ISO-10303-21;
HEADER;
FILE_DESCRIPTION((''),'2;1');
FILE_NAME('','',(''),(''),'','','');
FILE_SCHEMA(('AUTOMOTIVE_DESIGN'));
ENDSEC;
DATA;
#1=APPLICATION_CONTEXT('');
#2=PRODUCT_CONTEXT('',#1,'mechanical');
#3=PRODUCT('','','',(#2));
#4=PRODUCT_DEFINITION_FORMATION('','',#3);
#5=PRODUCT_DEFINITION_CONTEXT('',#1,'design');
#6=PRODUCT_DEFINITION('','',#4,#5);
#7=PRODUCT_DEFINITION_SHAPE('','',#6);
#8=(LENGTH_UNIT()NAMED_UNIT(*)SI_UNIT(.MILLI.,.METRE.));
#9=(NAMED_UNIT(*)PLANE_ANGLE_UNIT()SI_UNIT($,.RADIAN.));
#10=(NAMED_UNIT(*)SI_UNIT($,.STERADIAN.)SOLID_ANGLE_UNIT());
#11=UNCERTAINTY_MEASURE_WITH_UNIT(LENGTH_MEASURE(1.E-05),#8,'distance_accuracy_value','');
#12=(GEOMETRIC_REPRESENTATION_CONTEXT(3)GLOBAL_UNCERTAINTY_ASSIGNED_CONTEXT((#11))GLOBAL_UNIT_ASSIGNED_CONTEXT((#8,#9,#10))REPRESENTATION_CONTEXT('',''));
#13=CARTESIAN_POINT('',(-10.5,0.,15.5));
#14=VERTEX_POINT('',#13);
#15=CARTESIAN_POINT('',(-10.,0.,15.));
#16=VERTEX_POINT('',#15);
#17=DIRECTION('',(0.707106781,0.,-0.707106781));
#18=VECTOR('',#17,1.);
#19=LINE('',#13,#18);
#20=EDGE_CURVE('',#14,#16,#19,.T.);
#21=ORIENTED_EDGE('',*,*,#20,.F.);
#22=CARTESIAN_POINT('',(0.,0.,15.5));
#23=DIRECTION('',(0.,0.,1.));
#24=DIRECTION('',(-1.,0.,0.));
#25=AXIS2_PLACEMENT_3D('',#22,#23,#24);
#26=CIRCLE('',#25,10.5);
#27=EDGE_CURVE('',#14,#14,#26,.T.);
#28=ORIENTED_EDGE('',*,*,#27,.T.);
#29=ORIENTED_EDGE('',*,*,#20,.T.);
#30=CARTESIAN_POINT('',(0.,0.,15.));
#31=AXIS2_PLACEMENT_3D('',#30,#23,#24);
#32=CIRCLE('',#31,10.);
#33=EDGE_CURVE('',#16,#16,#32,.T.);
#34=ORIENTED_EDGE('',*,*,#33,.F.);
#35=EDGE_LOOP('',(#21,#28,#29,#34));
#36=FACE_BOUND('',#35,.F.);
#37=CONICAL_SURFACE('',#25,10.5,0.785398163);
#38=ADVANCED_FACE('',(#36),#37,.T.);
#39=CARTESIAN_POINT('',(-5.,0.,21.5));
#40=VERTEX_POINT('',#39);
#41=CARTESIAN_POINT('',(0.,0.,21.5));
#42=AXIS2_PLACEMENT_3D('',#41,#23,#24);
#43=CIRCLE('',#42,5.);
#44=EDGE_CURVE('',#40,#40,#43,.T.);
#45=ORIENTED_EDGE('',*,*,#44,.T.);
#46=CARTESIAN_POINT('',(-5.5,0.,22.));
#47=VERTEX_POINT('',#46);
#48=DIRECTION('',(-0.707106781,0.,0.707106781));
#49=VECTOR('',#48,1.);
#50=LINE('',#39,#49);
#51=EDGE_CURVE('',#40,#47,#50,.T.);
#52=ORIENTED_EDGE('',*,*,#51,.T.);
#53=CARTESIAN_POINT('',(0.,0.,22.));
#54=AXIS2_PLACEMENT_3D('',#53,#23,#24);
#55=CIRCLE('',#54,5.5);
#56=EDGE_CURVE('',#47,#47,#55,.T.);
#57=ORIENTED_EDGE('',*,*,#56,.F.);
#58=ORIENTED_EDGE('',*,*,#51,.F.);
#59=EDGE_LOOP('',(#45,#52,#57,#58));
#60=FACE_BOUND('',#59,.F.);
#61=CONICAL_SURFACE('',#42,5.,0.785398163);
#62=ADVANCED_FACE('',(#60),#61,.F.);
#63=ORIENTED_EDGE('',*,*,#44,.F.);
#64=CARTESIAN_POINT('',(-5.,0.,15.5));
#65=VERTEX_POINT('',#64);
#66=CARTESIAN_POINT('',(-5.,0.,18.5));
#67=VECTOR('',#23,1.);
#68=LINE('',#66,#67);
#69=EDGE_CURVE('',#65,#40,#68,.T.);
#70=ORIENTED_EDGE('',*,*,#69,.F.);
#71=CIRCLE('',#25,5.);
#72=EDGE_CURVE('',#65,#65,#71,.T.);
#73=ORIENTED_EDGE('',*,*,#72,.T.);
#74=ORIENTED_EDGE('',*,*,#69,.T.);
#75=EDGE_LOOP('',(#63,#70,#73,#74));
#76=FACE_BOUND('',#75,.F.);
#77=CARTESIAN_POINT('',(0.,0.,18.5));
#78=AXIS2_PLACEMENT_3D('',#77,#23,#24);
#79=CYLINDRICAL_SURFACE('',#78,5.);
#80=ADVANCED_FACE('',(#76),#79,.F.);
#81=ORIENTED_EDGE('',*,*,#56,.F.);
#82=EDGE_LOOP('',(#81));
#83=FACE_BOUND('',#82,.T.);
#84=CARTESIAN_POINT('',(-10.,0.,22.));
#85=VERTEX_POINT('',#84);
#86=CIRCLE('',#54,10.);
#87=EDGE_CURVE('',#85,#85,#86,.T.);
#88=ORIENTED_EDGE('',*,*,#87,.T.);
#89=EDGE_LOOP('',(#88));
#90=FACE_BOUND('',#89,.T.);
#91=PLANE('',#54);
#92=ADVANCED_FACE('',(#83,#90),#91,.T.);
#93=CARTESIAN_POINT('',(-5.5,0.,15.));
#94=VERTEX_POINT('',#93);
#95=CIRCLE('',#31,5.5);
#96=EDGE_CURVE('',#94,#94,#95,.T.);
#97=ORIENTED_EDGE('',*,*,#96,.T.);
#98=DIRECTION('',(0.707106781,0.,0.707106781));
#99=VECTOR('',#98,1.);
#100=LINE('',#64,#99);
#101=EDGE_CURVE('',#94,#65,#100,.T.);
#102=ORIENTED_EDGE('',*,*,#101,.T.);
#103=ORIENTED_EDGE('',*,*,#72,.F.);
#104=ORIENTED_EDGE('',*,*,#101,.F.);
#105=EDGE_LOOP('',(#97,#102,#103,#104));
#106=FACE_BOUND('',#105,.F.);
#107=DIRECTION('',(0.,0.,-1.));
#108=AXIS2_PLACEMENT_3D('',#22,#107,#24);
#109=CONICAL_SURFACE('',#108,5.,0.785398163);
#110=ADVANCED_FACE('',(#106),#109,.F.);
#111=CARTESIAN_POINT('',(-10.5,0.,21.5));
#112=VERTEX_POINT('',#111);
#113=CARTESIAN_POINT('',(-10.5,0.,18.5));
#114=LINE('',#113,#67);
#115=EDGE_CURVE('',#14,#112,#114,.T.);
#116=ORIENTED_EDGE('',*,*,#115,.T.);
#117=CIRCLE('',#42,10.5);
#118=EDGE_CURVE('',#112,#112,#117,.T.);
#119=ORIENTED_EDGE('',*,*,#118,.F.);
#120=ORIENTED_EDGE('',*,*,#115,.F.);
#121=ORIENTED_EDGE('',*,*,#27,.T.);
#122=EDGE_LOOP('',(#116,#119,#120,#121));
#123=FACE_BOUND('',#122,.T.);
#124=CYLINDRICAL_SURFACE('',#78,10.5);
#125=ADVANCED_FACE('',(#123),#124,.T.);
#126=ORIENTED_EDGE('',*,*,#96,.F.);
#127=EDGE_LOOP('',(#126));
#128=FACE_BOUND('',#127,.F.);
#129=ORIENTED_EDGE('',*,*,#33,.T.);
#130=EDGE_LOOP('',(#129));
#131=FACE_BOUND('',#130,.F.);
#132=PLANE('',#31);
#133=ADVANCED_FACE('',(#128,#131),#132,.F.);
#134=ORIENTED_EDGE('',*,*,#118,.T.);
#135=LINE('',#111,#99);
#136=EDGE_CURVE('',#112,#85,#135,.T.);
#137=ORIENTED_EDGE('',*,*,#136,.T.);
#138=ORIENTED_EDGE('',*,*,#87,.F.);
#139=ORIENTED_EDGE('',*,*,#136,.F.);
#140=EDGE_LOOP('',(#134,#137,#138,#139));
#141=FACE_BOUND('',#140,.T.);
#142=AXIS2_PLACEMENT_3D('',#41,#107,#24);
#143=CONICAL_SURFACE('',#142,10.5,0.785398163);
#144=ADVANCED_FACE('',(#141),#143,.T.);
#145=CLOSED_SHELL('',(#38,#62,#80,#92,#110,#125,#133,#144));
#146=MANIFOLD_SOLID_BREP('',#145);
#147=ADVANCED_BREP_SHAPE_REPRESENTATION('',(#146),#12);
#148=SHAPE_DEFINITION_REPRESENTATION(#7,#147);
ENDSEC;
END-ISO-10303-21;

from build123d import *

# Parameters (mm, degrees)
F0_W    = 5.5
F0_H    = 7
F2_SIZE = 0.5


with BuildPart() as f1:
    # F0 (on Front) → F1 (revolve)
    with BuildSketch(Plane.XZ):
        with Locations((-7.75, 18.5)):
            Rectangle(F0_W, F0_H)
    revolve(axis=Axis((0, 0, 18.770511), (0, 0, 1)))

    # F2
    f2_edges = [f1.edges().sort_by_distance(p)[0] for p in [
        (10.5, 0, 22),
        (5, 0, 22),
        (10.5, 0, 15),
        (5, 0, 15),
    ]]
    chamfer(f2_edges, length=F2_SIZE)


solid = f1.part
